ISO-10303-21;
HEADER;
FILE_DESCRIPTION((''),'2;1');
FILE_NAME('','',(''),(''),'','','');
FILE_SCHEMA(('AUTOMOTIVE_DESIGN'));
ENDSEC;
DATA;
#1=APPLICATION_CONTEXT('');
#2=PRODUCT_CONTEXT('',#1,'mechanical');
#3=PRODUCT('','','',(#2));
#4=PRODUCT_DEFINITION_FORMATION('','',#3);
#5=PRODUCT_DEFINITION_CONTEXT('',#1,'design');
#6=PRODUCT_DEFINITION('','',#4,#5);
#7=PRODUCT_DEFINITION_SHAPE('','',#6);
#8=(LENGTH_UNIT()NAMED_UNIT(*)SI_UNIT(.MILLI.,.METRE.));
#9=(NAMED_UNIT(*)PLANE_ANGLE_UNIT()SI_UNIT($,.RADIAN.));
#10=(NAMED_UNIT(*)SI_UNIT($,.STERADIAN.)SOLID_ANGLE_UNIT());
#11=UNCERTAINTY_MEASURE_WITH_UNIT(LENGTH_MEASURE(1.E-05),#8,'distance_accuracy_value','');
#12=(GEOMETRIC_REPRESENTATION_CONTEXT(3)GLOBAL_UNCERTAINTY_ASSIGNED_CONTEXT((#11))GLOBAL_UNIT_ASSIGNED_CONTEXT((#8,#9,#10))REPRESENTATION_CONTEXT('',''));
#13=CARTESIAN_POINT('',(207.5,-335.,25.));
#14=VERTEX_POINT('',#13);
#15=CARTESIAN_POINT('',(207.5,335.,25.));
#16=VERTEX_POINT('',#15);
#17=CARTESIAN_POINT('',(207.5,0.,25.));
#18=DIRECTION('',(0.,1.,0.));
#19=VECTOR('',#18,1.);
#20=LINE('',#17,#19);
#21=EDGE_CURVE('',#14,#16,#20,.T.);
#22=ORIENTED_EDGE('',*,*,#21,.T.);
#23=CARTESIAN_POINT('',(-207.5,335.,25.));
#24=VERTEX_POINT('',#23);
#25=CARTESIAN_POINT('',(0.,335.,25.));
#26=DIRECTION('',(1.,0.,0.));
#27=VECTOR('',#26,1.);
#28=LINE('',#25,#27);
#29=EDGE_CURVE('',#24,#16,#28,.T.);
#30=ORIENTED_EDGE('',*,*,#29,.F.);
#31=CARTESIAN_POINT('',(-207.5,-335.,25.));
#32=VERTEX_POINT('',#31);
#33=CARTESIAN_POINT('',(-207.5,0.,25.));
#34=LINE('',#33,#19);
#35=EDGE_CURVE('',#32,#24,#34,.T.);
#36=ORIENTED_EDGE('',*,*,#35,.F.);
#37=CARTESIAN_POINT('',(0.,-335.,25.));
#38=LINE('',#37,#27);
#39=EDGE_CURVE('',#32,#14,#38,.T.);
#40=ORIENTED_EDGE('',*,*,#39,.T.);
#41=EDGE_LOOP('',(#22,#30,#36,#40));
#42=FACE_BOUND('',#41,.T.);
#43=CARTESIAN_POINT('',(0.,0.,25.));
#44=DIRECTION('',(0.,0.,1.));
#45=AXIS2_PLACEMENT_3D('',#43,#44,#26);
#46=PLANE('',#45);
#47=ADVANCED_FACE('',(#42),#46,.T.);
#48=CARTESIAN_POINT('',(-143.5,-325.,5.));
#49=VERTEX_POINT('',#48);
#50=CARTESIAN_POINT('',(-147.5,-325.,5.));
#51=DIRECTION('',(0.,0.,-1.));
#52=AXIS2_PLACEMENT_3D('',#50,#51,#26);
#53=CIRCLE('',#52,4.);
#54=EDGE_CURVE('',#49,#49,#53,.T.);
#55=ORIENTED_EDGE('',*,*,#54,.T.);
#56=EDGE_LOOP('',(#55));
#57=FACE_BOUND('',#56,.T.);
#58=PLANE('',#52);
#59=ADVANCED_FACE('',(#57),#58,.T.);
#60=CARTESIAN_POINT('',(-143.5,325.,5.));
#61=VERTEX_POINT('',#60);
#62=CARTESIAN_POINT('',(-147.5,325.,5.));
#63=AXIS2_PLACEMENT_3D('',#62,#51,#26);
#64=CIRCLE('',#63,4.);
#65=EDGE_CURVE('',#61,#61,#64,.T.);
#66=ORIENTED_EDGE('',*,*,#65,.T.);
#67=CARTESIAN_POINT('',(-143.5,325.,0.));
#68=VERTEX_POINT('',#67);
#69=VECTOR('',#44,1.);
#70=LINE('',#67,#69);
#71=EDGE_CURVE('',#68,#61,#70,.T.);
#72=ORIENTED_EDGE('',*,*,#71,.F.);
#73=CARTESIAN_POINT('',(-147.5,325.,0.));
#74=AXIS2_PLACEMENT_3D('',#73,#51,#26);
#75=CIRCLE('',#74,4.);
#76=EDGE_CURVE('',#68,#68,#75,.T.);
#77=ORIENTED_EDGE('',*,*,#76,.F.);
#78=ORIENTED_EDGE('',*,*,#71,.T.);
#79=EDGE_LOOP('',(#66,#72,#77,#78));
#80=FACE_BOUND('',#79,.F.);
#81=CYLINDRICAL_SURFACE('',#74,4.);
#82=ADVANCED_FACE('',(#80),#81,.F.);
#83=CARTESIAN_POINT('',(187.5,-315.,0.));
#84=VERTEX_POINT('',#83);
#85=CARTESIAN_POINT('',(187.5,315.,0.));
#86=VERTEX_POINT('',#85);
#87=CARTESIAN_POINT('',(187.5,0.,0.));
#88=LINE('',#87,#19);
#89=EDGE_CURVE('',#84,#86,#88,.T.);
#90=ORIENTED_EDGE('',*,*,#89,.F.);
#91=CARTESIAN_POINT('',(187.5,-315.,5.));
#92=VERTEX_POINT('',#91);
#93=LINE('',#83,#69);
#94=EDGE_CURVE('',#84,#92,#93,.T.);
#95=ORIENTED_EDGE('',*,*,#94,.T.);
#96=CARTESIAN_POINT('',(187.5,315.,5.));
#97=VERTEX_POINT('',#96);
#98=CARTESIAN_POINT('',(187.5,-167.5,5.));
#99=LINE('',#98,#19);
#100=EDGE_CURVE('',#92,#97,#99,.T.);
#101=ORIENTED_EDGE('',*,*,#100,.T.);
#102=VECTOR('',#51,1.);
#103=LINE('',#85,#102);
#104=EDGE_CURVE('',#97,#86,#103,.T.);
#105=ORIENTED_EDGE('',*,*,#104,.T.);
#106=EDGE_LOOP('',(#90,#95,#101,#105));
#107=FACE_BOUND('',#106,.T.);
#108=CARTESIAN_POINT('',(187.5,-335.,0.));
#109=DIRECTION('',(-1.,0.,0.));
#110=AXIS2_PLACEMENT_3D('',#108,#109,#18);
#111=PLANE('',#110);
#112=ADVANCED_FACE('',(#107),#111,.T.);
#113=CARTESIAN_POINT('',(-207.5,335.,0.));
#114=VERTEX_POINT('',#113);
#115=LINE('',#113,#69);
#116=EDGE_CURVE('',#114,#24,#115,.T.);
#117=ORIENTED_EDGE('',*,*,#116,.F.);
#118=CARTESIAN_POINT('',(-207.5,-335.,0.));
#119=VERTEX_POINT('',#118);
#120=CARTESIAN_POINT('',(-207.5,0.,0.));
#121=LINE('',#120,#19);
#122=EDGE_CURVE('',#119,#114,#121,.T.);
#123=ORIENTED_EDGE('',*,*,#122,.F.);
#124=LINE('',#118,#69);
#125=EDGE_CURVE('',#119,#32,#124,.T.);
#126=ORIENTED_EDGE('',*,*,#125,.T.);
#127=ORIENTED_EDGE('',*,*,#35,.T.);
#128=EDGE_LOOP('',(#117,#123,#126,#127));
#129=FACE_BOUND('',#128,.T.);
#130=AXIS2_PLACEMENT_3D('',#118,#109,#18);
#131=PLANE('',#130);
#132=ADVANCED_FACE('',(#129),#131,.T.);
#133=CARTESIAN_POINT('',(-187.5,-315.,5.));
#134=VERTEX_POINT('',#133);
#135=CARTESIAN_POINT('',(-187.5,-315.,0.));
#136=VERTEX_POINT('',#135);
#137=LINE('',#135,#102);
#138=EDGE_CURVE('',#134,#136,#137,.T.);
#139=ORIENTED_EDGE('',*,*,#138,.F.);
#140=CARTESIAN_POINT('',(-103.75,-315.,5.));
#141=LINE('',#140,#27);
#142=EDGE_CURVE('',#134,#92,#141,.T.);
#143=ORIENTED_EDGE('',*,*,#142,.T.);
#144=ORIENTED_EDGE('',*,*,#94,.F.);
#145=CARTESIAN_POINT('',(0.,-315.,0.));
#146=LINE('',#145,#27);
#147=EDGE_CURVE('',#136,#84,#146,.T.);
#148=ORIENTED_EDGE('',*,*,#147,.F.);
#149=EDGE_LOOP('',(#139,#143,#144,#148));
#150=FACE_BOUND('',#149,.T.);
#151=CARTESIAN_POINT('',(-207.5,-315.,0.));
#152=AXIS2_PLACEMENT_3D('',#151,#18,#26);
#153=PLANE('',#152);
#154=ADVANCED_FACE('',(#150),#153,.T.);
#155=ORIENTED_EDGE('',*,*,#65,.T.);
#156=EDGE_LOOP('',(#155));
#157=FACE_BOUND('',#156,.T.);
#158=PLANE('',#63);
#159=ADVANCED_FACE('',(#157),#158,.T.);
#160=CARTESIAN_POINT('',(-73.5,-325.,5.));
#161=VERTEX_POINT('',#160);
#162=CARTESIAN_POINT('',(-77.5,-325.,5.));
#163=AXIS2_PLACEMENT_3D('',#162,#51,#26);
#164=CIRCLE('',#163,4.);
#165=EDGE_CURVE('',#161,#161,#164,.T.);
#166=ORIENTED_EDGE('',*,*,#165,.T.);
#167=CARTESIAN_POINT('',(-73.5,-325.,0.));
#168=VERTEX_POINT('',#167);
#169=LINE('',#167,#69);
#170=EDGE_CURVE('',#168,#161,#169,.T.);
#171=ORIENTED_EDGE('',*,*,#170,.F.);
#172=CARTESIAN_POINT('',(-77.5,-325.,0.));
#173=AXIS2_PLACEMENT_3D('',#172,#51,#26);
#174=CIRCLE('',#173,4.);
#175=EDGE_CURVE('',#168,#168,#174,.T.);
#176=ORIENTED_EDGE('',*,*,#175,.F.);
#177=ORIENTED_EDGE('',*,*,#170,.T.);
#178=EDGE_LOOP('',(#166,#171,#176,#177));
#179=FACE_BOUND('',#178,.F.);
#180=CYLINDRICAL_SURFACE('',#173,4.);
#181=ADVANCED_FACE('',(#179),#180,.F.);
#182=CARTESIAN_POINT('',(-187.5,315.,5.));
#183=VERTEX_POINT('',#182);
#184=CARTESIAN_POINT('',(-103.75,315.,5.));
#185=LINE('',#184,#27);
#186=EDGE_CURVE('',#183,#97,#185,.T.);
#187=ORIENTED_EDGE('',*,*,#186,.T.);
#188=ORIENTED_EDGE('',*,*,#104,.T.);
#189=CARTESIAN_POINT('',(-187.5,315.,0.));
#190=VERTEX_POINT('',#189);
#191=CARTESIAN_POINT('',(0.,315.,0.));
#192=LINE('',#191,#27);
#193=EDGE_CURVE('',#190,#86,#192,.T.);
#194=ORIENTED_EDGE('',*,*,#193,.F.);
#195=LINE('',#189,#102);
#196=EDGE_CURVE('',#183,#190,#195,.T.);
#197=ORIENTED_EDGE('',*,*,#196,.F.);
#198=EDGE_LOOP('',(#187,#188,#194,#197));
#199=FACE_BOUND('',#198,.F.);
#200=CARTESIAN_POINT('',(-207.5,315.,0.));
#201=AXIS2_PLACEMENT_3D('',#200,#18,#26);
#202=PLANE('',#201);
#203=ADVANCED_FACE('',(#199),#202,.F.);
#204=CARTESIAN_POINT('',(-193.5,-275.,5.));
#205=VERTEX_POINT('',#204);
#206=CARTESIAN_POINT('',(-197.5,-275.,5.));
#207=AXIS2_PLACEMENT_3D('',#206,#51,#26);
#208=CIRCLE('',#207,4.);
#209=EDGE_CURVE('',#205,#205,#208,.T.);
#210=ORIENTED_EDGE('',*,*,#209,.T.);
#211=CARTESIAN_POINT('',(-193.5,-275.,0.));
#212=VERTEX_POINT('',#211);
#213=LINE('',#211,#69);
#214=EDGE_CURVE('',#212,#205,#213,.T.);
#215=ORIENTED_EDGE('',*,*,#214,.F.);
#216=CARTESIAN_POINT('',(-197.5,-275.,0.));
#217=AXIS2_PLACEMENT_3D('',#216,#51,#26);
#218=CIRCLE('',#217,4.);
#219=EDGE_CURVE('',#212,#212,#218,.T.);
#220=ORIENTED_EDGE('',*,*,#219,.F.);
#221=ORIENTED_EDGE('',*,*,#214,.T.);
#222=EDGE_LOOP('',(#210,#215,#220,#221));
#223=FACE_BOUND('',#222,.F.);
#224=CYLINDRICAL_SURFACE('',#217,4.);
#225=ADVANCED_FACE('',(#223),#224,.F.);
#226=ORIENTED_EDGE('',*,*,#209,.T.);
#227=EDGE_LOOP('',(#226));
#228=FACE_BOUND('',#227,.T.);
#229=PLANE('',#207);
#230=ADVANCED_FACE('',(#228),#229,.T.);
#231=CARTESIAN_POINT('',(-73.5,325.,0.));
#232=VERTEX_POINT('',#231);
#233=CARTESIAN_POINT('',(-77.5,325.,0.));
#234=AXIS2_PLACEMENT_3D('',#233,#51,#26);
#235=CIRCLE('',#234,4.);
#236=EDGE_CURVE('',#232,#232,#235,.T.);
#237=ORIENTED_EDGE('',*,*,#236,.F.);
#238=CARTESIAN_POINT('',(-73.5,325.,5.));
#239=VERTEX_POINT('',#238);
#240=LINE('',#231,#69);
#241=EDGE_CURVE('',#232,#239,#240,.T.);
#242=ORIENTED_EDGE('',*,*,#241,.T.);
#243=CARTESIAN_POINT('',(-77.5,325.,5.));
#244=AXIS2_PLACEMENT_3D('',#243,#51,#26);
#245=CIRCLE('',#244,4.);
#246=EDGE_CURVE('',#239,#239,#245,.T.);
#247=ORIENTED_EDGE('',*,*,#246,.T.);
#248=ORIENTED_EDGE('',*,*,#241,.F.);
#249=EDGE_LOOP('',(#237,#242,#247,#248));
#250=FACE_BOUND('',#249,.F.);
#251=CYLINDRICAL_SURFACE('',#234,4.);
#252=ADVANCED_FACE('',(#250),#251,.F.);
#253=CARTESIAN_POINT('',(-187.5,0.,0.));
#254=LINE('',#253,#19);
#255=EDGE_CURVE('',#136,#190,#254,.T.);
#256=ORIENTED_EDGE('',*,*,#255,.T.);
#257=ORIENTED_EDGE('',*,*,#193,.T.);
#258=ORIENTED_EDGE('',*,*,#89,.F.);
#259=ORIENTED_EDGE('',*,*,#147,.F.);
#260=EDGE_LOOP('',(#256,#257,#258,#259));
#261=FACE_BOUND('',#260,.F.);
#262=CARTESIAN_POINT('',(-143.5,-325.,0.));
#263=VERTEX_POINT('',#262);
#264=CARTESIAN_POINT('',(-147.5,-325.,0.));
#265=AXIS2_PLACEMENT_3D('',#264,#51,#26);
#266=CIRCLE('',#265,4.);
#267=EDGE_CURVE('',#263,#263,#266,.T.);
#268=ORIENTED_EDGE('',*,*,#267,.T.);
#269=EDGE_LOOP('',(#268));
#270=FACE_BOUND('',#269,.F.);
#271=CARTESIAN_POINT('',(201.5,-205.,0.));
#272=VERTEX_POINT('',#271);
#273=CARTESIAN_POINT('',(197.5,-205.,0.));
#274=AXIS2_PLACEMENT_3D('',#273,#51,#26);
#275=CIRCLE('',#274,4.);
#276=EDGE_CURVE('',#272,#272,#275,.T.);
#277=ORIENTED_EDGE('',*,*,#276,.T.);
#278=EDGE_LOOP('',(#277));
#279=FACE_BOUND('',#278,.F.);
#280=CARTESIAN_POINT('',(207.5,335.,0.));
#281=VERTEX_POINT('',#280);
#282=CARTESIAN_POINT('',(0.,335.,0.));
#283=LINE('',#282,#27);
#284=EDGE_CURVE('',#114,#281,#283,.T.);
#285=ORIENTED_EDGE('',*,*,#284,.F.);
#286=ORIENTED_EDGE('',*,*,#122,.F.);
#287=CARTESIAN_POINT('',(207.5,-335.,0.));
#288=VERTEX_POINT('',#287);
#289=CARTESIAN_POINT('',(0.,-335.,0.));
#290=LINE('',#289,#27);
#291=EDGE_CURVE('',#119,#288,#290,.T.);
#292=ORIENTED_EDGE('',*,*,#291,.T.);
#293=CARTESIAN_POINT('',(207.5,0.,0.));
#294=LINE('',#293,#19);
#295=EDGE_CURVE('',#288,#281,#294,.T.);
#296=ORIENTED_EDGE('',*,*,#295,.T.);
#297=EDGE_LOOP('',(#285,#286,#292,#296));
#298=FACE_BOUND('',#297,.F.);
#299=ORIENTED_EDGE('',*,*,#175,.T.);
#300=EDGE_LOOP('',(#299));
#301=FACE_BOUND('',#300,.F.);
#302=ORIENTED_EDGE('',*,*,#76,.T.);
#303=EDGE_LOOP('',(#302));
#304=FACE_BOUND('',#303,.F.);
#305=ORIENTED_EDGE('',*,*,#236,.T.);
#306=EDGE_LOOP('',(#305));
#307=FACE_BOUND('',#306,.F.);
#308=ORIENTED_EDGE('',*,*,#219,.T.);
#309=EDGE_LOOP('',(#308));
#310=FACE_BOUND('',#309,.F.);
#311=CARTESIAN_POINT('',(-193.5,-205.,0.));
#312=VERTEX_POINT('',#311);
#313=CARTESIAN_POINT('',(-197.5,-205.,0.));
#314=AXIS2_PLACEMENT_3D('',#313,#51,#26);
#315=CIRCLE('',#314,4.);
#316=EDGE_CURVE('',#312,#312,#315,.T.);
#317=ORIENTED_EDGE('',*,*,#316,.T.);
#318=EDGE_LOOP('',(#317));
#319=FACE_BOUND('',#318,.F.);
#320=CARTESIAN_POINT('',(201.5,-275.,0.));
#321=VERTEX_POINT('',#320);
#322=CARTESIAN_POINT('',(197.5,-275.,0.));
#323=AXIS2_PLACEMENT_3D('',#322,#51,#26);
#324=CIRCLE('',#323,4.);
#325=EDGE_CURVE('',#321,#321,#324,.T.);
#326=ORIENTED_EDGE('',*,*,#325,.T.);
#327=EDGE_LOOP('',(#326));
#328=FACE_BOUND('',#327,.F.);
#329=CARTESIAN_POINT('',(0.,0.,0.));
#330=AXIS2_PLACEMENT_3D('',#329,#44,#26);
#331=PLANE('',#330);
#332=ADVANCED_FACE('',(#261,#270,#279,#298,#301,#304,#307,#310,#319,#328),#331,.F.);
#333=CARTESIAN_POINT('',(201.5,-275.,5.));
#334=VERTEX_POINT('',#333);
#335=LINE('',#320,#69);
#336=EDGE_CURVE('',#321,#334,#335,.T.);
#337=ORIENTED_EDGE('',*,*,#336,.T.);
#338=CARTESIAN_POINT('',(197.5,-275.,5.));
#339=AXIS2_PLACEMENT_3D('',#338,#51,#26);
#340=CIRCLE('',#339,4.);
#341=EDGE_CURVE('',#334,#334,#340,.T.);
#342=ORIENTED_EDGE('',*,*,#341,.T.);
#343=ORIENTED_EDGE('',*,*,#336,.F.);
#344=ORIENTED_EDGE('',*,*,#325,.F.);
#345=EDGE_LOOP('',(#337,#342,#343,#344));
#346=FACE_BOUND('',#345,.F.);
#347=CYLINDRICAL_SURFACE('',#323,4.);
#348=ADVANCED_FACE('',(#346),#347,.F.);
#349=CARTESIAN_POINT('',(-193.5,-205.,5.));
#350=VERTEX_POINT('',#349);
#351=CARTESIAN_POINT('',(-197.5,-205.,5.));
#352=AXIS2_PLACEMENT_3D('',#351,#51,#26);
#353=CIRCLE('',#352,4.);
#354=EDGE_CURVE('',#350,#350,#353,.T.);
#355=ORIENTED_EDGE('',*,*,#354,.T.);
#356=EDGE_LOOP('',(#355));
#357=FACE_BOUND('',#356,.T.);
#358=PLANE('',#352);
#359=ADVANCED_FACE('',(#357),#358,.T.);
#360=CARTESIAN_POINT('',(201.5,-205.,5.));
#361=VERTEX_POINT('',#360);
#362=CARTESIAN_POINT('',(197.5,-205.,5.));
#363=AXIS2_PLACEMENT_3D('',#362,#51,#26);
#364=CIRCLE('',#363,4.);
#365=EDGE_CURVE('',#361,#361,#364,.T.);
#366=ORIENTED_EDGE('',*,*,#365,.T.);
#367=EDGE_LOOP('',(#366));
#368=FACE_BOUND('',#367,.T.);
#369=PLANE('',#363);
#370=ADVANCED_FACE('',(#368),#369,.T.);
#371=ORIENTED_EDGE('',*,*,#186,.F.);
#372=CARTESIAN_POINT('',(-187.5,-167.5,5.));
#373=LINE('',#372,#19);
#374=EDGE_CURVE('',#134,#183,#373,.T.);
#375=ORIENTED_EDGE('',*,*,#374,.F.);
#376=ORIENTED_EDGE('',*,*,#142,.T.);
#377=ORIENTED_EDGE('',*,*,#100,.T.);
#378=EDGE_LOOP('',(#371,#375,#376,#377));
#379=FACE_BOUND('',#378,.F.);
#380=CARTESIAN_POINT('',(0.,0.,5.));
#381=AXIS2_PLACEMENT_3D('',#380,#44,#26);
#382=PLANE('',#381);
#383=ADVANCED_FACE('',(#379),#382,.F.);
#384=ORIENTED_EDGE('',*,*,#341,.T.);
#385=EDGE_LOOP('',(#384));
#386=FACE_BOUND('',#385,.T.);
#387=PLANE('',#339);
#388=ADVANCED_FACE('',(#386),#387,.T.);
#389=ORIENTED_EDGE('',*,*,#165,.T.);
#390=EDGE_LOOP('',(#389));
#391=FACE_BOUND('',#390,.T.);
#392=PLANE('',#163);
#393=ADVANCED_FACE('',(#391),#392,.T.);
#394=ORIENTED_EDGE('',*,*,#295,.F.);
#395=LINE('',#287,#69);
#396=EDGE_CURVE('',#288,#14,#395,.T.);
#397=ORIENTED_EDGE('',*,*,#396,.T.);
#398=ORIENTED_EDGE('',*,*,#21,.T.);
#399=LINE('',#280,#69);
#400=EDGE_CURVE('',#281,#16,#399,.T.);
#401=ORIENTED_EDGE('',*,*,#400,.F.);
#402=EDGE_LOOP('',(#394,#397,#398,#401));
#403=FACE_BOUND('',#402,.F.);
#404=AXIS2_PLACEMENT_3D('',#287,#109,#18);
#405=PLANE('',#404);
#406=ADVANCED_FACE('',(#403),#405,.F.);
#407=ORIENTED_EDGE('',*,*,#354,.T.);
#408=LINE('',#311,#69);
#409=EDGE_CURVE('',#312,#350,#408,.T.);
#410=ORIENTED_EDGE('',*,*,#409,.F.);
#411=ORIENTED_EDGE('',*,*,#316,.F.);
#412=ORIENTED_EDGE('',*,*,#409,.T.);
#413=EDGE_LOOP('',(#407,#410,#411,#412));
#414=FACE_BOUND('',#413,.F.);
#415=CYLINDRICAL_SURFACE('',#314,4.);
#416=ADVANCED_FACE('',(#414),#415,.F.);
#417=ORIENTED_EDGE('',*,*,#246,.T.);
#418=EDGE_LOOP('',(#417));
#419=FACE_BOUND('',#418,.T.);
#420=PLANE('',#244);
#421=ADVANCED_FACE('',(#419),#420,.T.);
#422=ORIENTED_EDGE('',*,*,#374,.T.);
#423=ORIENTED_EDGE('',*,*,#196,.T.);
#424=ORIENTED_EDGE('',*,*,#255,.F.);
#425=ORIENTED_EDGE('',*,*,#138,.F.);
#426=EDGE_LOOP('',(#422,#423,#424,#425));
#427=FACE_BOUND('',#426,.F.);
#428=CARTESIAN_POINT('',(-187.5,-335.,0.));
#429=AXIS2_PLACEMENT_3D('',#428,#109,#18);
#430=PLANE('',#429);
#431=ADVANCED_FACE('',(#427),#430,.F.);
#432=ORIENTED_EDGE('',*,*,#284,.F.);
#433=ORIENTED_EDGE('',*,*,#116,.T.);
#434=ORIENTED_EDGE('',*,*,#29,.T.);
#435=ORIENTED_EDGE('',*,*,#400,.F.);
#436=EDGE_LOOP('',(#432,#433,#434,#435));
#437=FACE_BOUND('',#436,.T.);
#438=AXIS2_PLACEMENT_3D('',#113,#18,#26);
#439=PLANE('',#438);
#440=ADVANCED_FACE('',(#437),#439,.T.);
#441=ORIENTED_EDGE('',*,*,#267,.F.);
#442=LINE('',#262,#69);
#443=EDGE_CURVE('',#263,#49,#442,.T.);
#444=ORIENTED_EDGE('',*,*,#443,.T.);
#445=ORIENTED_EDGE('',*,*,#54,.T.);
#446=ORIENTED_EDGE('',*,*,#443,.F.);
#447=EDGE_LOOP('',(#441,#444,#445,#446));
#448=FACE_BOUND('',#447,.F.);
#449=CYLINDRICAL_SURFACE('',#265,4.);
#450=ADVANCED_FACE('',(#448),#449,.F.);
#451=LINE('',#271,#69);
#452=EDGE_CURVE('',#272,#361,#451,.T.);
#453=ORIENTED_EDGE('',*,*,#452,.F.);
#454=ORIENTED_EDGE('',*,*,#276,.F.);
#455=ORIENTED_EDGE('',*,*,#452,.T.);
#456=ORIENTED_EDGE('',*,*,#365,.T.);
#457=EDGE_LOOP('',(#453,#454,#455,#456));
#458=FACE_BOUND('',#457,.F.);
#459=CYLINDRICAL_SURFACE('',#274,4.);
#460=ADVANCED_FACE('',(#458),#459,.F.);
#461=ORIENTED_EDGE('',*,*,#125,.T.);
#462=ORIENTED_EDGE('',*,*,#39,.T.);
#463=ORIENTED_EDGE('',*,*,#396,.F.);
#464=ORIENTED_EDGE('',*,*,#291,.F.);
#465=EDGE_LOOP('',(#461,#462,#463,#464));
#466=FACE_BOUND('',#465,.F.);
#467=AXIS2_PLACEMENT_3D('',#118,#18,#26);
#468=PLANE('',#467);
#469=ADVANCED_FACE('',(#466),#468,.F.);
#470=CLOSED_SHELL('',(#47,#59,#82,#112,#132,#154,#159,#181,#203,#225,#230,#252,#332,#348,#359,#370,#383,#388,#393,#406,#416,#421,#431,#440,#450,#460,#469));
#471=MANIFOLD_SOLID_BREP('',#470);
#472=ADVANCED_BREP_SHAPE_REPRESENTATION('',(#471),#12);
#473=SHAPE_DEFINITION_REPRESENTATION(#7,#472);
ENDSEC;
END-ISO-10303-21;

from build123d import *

# Parameters (mm, degrees)
F0_W     = 415
F0_H     = 670
F1_DEPTH = 25
F2_T     = -20
F3_R     = 4
F4_DEPTH = 5


with BuildPart() as f1:
    # F0 (on Top) → F1 (new body)
    with BuildSketch(Plane.XY):
        Rectangle(F0_W, F0_H)
    extrude(amount=F1_DEPTH)

    # F2
    f2_openings = [f1.faces().sort_by_distance(p)[0] for p in [
        (0, 0, 0),
    ]]
    offset(amount=F2_T, openings=f2_openings)

    # F3 (on face) → F4 (cut)
    with BuildSketch(Plane(origin=(0, 0, 0), x_dir=(1, 0, 0), z_dir=(0, 0, -1))):
        with Locations((-197.5, 275)):
            Circle(F3_R)
        with Locations((-197.5, 205)):
            Circle(F3_R)
        with Locations((197.5, 275)):
            Circle(F3_R)
        with Locations((197.5, 205)):
            Circle(F3_R)
        with Locations((-147.5, 325)):
            Circle(F3_R)
        with Locations((-77.5, 325)):
            Circle(F3_R)
        with Locations((-77.5, -325)):
            Circle(F3_R)
        with Locations((-147.5, -325)):
            Circle(F3_R)
    extrude(amount=-F4_DEPTH, mode=Mode.SUBTRACT)


solid = f1.part
